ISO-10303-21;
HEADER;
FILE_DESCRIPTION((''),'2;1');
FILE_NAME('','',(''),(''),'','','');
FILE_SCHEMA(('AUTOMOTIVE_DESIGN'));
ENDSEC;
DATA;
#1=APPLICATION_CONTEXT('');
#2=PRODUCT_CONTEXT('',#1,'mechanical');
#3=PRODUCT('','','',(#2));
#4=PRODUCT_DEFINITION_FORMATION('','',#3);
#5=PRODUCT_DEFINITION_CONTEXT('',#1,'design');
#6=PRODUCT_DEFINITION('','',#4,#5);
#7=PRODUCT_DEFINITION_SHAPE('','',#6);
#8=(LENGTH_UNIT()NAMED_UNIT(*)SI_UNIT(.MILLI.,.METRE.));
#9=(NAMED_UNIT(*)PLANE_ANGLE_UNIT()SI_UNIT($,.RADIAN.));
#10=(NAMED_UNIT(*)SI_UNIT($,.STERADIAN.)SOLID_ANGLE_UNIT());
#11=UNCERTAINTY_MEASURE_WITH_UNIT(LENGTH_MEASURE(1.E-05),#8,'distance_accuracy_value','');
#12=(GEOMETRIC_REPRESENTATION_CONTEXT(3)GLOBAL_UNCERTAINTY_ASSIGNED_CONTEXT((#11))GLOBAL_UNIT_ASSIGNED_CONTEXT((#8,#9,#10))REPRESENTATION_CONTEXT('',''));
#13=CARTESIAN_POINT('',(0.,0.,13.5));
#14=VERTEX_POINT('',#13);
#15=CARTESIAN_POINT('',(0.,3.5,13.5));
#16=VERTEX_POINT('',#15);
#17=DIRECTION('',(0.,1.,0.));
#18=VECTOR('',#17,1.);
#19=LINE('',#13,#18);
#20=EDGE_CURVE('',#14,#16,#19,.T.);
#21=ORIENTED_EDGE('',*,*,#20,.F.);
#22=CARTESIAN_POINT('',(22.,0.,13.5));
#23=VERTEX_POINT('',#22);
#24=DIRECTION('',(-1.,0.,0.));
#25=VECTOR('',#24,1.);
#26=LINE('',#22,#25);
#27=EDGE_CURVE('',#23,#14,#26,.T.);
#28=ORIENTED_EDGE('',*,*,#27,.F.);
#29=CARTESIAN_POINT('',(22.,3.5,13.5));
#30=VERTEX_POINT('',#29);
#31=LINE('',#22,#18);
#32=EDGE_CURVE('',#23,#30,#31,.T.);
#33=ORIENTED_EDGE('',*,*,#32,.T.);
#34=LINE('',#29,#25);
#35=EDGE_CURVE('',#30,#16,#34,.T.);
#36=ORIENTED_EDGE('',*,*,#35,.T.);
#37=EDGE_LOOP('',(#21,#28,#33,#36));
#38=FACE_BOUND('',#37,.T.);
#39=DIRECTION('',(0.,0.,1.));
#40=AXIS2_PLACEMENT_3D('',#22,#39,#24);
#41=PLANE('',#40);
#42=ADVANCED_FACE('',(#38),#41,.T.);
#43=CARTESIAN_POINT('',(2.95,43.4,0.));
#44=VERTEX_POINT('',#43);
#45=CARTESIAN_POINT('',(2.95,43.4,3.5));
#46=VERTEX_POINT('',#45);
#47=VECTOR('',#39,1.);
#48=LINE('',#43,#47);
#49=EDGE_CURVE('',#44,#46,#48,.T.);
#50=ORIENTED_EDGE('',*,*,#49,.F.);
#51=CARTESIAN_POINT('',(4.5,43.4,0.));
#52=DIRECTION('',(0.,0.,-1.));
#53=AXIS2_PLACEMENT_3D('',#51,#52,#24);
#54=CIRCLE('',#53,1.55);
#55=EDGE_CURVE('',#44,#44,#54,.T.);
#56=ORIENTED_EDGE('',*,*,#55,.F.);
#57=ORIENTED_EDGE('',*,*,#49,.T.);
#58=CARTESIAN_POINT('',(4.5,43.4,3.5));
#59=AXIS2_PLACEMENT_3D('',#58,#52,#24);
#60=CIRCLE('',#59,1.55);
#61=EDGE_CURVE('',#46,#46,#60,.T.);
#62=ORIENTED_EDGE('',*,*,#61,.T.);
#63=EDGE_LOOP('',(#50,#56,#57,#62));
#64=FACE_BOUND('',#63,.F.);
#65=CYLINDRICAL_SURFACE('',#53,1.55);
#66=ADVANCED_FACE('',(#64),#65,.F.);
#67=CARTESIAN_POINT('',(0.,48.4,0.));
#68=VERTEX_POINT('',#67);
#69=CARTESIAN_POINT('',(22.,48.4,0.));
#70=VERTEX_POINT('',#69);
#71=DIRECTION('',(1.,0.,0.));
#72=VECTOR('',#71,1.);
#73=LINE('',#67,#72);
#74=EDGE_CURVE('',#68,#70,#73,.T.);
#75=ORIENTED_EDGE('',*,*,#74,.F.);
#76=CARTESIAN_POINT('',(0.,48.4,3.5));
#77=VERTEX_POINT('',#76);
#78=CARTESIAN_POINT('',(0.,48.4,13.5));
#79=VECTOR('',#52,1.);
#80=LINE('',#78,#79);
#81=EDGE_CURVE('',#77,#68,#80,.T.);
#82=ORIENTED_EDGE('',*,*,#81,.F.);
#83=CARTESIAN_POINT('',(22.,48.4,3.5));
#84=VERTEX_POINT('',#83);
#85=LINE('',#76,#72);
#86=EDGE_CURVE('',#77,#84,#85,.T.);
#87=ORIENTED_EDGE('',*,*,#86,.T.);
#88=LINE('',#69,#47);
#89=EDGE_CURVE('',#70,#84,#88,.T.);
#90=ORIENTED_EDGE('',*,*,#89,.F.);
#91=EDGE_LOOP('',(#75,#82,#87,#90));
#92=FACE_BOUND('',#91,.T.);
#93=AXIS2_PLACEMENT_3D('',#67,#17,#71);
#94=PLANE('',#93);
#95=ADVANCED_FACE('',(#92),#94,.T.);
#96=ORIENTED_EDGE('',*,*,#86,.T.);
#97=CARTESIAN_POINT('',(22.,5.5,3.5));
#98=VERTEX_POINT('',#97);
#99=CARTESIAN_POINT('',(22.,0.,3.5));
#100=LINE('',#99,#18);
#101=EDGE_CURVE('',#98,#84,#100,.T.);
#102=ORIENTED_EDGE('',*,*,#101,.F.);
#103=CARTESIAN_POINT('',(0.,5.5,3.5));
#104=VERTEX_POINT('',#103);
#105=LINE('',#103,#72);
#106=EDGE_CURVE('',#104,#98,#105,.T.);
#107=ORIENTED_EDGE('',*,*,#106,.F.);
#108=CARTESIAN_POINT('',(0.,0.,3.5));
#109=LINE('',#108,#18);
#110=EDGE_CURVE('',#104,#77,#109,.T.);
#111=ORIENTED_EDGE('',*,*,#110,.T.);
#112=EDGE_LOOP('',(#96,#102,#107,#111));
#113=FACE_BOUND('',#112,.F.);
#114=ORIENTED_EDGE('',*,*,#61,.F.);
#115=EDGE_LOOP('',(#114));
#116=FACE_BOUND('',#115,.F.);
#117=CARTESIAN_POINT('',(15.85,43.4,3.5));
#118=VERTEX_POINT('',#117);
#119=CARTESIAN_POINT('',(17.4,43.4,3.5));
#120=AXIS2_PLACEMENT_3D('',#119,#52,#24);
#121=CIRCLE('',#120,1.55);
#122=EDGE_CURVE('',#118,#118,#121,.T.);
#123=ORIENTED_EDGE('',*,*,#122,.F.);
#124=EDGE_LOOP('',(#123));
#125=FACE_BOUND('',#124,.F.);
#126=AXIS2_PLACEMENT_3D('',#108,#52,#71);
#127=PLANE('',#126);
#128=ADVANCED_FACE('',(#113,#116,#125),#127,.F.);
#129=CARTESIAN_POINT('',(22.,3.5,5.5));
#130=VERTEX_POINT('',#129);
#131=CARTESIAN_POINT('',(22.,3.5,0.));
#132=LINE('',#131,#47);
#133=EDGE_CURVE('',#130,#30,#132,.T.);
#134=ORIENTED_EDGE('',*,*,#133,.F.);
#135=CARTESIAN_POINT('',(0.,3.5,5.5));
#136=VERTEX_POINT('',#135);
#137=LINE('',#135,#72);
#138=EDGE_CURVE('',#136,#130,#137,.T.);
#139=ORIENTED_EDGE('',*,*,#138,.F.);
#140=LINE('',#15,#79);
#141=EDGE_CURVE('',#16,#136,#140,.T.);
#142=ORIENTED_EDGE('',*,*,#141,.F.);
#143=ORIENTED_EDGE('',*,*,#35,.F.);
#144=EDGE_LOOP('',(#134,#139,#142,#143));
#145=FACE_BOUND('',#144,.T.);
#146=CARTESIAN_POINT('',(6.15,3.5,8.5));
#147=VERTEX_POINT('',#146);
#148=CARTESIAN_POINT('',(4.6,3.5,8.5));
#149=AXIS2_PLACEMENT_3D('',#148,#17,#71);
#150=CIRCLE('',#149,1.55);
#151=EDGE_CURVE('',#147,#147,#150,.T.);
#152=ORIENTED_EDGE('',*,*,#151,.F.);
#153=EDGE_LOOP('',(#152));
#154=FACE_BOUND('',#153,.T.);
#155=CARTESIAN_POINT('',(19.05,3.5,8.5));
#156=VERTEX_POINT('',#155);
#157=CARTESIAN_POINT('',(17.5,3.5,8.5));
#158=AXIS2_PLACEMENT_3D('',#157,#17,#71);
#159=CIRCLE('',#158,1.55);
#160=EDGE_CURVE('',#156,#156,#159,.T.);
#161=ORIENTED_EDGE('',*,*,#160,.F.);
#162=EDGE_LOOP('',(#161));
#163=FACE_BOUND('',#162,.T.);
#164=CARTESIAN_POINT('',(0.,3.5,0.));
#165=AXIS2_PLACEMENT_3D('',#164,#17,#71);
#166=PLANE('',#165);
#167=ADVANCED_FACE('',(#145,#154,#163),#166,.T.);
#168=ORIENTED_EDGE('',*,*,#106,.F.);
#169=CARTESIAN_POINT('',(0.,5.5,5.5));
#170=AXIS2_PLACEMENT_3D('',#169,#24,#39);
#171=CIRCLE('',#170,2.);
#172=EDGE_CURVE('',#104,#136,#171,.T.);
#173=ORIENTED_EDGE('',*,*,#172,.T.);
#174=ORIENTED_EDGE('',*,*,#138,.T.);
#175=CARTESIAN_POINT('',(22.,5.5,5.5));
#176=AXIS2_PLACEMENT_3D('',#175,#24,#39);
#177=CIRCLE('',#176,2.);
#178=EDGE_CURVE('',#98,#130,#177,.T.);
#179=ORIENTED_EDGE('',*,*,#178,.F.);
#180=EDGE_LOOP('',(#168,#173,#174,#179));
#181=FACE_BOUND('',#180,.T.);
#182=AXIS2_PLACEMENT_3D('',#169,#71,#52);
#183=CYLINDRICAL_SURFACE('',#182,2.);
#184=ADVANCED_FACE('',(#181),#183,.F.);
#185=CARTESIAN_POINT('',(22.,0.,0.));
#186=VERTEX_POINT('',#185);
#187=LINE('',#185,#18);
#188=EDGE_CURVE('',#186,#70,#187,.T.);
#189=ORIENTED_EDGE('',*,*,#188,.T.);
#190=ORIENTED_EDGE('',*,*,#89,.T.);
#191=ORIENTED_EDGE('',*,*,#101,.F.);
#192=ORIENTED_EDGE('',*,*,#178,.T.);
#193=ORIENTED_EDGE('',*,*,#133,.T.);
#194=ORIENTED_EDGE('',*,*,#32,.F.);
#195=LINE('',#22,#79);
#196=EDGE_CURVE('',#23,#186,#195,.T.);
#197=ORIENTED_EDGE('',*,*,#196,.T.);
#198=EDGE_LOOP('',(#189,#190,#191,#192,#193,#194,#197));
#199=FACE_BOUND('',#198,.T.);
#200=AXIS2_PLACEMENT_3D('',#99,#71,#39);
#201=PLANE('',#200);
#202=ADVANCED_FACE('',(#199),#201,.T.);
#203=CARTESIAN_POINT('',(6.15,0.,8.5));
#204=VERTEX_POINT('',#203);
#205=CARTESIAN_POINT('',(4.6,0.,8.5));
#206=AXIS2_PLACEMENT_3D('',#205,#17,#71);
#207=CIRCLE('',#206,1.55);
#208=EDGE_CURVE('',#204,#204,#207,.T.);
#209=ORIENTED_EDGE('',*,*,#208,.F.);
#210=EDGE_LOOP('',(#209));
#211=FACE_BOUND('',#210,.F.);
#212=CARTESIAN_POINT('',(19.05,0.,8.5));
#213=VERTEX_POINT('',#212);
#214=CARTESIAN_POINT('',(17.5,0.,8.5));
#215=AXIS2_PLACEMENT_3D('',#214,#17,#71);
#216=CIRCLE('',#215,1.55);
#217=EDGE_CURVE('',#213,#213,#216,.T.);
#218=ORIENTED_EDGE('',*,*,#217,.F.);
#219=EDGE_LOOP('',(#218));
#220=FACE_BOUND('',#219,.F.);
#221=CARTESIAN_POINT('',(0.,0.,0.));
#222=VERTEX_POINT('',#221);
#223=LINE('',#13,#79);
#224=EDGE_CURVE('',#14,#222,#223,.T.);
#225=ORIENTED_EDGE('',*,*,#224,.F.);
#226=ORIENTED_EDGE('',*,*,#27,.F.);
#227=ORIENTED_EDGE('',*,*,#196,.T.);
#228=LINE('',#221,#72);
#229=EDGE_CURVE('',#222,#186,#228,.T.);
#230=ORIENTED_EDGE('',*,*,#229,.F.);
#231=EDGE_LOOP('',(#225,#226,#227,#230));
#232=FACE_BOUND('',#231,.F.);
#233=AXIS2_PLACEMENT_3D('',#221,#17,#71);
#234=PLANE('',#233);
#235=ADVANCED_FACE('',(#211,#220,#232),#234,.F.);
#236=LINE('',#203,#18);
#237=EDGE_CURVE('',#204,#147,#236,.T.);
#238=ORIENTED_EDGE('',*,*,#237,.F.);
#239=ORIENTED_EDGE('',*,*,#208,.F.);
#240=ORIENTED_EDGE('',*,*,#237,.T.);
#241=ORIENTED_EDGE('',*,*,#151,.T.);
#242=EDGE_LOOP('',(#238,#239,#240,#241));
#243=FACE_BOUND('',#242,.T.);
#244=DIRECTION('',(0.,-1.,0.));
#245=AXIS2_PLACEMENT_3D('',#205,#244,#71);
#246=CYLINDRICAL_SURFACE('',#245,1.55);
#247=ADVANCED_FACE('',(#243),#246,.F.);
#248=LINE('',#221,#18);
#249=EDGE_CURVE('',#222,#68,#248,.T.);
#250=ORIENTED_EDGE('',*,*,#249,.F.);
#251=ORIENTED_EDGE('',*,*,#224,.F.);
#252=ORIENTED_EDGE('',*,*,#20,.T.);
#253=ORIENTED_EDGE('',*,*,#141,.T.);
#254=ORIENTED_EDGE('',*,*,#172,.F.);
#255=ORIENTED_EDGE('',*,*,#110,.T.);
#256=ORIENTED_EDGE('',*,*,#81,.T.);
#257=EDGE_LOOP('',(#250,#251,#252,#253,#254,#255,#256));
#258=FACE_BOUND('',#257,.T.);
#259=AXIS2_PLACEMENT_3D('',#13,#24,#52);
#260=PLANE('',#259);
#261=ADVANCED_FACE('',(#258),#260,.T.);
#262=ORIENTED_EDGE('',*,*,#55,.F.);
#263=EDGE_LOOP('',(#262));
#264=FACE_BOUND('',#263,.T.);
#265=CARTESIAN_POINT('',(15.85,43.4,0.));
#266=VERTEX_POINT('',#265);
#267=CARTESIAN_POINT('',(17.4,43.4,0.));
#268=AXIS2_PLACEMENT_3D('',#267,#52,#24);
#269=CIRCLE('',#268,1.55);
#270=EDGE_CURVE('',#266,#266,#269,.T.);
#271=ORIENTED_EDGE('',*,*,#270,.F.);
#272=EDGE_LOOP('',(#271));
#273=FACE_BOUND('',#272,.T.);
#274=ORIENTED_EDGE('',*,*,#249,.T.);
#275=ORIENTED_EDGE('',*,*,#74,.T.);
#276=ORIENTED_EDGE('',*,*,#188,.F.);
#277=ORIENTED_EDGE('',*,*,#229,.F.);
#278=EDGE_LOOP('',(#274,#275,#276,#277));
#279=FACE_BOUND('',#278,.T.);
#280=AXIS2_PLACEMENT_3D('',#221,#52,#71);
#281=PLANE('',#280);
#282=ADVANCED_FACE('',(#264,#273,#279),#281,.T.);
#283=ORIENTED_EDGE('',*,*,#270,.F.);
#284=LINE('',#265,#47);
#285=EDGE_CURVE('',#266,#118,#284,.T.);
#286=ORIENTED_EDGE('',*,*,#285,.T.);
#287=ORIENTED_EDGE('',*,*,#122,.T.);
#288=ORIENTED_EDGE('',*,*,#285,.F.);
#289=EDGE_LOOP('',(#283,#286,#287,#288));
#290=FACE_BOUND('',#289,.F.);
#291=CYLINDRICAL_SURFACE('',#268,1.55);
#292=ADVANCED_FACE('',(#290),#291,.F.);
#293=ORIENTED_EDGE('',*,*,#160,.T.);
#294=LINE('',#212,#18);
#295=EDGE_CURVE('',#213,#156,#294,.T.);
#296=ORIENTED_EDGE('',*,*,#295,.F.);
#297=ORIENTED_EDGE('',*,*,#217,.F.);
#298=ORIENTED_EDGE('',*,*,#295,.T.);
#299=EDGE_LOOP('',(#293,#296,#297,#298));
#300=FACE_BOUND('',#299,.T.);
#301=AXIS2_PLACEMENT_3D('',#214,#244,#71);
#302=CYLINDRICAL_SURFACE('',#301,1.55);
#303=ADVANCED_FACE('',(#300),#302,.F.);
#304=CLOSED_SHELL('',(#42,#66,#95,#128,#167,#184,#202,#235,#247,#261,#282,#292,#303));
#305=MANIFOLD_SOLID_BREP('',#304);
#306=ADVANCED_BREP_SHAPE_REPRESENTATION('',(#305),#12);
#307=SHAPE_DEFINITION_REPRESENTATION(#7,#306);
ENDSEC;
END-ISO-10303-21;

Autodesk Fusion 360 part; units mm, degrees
sketch "Sketch1" plane through (0, 0, 0) normal (0, 1, 0) x (1, 0, 0)
  line L0 (0, 0) -> (22, 0)
  line L1 (22, 0) -> (22, -13.5)
  line L2 (22, -13.5) -> (0, -13.5)
  line L3 (0, -13.5) -> (0, 0)
  line L4 (0, -3.5) -> (22, -3.5)
  line L5 (0, -8.5) -> (22, -8.5) construction
  circle A0 centre (4.6, -8.5) radius 1.55
  circle A1 centre (17.5, -8.5) radius 1.55
  dimension "d1" = 22
  dimension "d2" = 13.5
  dimension "d3" = 3.5
  dimension "d4" = 5
  dimension "d5" = 3.1
  dimension "d6" = 3.1
  dimension "d7" = 12.9
  dimension "d8" = 4.5
extrude "Extrude1" add sketch "Sketch1" along normal blind 3.5 contours L1 L2 L3 L4
extrude "Extrude2" add sketch "Sketch1" along normal blind 48.4 contours L0 L1 L3 L4
sketch "Sketch2" plane through (0, 0, 0) normal (0, 0, -1) x (-1, 0, 0)
  line L0 (-22, 0) -> (0, 0)
  line L1 (0, 0) -> (0, 48.4)
  line L2 (0, 48.4) -> (-22, 48.4)
  line L3 (-22, 48.4) -> (-22, 0)
  line L4 (-22, 43.4) -> (0, 43.4) construction
  line L5 (0, 0) -> (-22, 0)
  circle A0 centre (-17.4, 43.4) radius 1.55
  circle A1 centre (-4.5, 43.4) radius 1.55
  dimension "d13" = 43.4
  dimension "d14" = 3.1
  dimension "d15" = 3.1
  dimension "d16" = 12.9
  dimension "d17" = 4.5
extrude "Extrude3" cut sketch "Sketch2" against normal up to surface (3.5 mm away) contours A0 | A1
fillet "Fillet1" radius 2 1 edges at (11, 3.5, 3.5)
